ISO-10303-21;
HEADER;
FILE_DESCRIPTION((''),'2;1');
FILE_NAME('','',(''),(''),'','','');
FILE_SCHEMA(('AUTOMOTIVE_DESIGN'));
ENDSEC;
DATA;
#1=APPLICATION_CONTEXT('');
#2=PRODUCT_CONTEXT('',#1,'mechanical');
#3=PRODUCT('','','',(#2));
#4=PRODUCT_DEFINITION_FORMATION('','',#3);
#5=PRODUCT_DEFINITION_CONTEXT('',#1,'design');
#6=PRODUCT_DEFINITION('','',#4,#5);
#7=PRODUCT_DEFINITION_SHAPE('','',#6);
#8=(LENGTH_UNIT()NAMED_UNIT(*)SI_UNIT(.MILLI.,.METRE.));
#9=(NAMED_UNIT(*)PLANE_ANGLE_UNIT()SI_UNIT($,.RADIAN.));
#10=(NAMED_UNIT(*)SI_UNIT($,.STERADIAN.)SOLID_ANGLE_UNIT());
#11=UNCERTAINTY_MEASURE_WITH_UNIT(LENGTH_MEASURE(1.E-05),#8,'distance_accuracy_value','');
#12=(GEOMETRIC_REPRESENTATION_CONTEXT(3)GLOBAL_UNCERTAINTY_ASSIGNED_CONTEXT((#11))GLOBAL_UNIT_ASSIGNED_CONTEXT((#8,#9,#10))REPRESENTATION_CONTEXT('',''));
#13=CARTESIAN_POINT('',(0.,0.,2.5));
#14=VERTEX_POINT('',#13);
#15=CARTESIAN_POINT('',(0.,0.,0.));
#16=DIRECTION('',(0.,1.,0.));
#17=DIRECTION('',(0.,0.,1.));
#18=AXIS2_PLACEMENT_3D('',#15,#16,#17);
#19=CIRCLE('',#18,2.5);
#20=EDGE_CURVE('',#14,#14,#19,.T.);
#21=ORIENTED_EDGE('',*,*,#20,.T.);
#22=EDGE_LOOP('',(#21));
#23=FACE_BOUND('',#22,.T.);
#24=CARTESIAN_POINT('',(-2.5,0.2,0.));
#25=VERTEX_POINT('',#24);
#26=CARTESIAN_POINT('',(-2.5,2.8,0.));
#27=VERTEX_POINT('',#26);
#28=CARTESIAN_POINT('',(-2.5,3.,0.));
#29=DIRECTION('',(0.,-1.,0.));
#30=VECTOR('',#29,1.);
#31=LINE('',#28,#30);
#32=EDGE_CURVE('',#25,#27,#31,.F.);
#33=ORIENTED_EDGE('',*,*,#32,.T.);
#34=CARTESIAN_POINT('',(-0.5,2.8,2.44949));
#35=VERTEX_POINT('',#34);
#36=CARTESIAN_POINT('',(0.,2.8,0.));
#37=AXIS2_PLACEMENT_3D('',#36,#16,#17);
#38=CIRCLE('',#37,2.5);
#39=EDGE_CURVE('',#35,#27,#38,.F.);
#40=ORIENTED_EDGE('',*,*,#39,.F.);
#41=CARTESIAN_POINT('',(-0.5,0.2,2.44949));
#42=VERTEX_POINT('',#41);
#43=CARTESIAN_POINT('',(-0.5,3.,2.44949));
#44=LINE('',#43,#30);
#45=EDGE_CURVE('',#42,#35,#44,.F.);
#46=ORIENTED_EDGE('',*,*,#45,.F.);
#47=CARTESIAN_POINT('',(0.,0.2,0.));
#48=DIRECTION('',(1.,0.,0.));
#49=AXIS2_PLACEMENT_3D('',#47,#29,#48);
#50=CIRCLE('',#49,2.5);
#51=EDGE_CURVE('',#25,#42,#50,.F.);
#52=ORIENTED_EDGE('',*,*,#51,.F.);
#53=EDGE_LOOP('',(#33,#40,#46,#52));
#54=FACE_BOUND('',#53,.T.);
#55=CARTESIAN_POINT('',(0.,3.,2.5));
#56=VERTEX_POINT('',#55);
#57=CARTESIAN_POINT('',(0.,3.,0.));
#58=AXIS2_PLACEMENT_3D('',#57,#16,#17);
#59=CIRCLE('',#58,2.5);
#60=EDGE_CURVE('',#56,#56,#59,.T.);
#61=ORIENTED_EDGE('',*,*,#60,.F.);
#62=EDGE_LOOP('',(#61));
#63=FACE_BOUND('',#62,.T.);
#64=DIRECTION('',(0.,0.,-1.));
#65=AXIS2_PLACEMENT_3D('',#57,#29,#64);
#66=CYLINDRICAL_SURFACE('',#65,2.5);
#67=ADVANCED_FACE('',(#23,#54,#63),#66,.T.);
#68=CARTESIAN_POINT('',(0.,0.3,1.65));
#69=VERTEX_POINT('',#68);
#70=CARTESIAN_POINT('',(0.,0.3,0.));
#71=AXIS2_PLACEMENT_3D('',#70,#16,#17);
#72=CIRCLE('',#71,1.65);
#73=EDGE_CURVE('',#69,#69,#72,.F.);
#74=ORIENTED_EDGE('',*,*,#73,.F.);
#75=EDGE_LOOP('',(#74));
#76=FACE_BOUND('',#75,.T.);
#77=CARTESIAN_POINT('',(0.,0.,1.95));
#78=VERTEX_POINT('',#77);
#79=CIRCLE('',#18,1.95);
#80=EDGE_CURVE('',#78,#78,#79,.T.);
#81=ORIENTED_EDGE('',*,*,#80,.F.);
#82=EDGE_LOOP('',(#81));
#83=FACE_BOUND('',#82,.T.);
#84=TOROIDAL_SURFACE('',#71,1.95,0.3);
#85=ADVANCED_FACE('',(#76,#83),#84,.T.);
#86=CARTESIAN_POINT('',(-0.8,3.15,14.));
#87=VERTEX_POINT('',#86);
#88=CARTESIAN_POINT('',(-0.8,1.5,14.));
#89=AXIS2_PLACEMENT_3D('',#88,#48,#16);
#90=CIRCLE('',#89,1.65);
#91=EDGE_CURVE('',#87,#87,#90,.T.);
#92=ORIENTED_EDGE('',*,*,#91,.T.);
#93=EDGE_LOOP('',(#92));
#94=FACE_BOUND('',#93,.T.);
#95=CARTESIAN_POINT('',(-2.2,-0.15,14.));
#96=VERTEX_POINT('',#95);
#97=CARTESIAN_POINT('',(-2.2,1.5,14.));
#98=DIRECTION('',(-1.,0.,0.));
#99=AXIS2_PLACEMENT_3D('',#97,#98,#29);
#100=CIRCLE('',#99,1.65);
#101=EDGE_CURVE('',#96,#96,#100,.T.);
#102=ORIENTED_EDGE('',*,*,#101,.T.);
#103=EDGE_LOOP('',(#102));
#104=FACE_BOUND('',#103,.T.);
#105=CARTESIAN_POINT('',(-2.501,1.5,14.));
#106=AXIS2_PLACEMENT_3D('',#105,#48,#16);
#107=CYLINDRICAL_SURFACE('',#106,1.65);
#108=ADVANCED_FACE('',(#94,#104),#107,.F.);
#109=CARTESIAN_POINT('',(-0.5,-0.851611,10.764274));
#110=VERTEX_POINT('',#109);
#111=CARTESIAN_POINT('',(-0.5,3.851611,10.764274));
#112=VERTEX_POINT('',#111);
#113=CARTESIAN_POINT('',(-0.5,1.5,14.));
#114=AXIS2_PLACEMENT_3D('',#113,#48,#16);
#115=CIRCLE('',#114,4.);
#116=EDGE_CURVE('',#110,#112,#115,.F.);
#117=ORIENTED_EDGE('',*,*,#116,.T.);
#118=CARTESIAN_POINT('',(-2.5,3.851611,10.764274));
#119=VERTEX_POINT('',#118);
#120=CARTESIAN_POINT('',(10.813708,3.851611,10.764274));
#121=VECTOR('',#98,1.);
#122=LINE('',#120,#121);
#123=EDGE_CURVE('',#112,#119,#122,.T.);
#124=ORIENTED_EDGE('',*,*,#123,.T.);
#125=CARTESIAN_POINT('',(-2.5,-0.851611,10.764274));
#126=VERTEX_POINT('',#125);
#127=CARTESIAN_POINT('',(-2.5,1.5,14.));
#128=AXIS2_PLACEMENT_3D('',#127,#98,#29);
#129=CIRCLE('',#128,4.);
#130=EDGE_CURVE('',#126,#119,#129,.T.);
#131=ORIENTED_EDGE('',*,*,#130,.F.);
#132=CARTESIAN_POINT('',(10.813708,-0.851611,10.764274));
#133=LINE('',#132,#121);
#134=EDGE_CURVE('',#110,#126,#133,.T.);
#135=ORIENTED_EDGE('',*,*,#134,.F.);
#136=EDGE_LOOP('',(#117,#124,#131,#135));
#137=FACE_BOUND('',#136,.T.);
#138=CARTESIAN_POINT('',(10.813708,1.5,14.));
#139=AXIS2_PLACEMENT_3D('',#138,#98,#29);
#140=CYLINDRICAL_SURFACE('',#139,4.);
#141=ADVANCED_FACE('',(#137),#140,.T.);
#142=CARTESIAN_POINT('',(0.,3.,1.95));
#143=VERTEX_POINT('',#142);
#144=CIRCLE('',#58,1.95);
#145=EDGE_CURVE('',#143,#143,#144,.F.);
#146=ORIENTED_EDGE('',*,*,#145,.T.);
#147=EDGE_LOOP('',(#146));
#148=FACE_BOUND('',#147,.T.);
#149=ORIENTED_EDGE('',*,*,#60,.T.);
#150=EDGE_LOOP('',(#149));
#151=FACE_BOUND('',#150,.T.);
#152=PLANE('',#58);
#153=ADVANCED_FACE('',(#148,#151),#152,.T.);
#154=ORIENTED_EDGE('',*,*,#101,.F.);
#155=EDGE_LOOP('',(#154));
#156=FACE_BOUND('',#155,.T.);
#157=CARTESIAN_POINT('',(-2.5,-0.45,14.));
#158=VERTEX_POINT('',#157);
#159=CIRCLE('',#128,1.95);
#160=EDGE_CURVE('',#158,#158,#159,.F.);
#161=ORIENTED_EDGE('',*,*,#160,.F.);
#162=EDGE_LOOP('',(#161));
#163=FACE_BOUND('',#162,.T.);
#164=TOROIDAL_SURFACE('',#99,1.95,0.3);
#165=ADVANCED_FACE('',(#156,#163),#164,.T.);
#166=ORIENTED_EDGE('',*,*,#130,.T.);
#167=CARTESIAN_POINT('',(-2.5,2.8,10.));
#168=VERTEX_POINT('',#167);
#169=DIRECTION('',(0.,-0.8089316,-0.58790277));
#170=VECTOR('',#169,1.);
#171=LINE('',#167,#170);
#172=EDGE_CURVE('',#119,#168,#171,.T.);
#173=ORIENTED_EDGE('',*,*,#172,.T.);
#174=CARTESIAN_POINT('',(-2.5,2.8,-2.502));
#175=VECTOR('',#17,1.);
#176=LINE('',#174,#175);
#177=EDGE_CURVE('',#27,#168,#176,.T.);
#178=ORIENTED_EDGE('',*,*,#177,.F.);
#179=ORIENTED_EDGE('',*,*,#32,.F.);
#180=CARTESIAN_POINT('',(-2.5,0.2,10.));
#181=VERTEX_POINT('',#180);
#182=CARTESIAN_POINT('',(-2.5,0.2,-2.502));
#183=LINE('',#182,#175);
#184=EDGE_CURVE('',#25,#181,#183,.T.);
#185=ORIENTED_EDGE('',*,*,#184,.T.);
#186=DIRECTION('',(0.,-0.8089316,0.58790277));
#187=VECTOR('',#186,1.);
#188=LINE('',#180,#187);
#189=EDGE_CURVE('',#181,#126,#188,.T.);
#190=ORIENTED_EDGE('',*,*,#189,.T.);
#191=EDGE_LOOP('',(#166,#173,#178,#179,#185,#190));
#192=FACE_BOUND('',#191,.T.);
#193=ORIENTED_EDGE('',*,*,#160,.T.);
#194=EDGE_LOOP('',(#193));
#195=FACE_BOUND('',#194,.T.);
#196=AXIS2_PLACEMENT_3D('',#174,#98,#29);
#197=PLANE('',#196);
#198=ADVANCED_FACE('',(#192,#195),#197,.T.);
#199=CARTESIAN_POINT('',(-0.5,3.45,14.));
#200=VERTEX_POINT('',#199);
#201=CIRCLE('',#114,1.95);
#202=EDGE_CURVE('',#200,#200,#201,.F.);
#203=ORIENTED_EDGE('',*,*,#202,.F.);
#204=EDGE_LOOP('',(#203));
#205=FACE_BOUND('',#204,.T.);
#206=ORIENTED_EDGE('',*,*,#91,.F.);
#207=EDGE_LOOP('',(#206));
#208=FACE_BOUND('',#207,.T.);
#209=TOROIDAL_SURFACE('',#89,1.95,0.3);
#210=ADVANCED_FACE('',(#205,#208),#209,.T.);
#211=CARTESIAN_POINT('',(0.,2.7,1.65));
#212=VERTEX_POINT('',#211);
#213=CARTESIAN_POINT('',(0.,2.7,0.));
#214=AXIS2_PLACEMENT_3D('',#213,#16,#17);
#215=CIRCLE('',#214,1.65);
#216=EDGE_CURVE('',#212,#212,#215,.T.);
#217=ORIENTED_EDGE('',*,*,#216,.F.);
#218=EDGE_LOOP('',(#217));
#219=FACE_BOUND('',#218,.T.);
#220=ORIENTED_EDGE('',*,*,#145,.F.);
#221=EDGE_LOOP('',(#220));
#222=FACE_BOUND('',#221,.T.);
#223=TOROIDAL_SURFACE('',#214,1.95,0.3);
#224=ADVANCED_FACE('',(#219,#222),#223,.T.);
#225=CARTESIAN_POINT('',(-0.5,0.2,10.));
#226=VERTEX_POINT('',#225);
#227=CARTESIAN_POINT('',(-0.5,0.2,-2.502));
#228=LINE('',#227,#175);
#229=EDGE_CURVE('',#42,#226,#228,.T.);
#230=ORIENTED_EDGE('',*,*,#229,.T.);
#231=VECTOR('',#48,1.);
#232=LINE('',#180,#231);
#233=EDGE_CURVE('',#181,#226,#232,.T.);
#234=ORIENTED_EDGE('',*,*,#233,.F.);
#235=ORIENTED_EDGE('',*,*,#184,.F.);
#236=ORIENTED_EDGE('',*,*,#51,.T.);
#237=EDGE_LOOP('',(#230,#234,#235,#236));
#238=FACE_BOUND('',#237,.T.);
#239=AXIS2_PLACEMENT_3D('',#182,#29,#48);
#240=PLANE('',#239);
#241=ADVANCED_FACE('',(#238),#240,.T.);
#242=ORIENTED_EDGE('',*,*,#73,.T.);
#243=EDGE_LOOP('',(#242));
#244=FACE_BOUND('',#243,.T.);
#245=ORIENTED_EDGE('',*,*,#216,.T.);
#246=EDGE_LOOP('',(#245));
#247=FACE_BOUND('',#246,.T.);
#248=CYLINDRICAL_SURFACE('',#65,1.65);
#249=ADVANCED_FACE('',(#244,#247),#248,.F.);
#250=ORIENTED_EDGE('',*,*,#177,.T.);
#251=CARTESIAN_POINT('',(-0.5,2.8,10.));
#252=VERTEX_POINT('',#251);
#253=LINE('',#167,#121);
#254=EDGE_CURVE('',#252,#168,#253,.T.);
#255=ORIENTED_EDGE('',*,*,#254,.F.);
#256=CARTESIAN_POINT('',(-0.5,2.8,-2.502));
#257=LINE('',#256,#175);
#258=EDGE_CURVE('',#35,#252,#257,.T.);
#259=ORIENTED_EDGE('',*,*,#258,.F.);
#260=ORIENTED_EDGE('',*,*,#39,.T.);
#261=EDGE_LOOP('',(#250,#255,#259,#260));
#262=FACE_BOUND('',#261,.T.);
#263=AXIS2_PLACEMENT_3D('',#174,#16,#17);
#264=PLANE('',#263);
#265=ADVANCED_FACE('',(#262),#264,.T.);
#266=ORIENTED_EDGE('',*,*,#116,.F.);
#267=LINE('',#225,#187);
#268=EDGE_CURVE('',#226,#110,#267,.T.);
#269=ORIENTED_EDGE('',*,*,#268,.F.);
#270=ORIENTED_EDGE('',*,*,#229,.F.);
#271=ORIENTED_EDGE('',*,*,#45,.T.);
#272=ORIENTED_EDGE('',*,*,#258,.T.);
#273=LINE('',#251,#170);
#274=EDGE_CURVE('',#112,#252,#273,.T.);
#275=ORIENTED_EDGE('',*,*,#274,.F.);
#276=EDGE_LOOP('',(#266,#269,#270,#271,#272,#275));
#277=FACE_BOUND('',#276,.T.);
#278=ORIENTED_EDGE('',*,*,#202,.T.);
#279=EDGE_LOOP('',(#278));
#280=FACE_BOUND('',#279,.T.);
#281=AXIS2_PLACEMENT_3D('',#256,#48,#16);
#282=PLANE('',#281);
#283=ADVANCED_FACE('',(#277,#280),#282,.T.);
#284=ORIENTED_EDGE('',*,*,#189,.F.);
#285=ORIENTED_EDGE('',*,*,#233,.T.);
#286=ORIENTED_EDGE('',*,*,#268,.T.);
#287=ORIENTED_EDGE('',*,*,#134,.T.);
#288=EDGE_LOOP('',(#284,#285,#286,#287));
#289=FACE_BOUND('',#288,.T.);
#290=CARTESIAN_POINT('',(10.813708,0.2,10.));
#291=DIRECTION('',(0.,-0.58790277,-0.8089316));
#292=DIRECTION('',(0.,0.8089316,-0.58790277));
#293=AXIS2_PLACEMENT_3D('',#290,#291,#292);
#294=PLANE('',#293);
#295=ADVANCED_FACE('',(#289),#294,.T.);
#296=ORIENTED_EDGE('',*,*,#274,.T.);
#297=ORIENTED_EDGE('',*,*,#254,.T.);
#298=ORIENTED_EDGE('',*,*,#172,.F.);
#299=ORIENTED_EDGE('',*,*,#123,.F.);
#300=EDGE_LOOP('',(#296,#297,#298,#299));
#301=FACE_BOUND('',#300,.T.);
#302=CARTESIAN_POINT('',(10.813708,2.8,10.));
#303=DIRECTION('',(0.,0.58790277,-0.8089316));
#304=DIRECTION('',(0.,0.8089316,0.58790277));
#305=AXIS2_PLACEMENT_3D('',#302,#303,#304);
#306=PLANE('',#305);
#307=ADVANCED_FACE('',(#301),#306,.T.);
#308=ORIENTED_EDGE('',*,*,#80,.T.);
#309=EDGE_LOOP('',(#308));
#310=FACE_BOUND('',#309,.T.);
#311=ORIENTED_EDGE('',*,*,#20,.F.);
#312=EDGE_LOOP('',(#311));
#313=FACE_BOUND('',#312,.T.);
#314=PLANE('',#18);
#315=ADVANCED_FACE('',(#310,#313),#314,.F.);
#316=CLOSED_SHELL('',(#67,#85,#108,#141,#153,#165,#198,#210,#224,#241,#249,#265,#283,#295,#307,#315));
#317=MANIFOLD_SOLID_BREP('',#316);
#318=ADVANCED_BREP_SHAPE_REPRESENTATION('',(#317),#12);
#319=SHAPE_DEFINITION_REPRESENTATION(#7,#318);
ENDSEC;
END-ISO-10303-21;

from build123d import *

# Parameters (mm, degrees)
SKETCH_1_R          = 2.5
SKETCH_1_R_2        = 1.65
EXTRUDE_1_DEPTH     = 3
EXTRUDE_2_REACH     = 14.5
SKETCH_2_W          = 2
SKETCH_2_H          = 2.6
EXTRUDE_3_DEPTH     = 2
CUT_EXTRUDE_1_REACH = 4
SKETCH_4_R          = 1.65
FILLET_1_R          = 0.3
FILLET_2_R          = 0.3
FILLET_3_R          = 0.3
FILLET_4_R          = 0.3


with BuildPart() as part:
    # 草图1 → 凸台-拉伸1 (new body)
    with BuildSketch(Plane(origin=(0, 0, 0), x_dir=(1, 0, 0), z_dir=(0, 1, 0))):
        Circle(SKETCH_1_R)
        Circle(SKETCH_1_R_2, mode=Mode.SUBTRACT)
    extrude(amount=EXTRUDE_1_DEPTH)

    # 草图2 → 凸台-拉伸2 (add, up to next)
    with BuildSketch(Plane.XY.offset(10), mode=Mode.PRIVATE) as extrude_2_sk1:
        with Locations((-1.5, 1.5)):
            Rectangle(SKETCH_2_W, SKETCH_2_H)
    extrude_2_tool1 = extrude(extrude_2_sk1.sketch, amount=-EXTRUDE_2_REACH, mode=Mode.PRIVATE) - part.part
    add(extrude_2_tool1.solids().sort_by_distance((-1.5, 1.5, 10))[0])

    # 草图3 → 凸台-拉伸3 (add)
    with BuildSketch(Plane.ZY.offset(2.5)):
        with BuildLine():
            Line((10, 2.8), (10, 0.2))
            Line((10, 0.2), (10.764273601, -0.85161108))
            ThreePointArc((10.764273601, -0.85161108), (18, 1.5), (10.764273601, 3.85161108))
            Line((10.764273601, 3.85161108), (10, 2.8))
        make_face()
    extrude(amount=-EXTRUDE_3_DEPTH)

    # 草图4 → 切除-拉伸1 (cut, up to next)
    with BuildSketch(Plane(origin=(-0.5, 0, 0), x_dir=(0, 0, -1), z_dir=(1, 0, 0)), mode=Mode.PRIVATE) as cut_extrude_1_sk1:
        with Locations((-14, 1.5)):
            Circle(SKETCH_4_R)
    cut_extrude_1_tool1 = extrude(cut_extrude_1_sk1.sketch, amount=-CUT_EXTRUDE_1_REACH, mode=Mode.PRIVATE) & part.part
    add(cut_extrude_1_tool1.solids().sort_by_distance((-0.5, 1.5, 14))[0], mode=Mode.SUBTRACT)

    # 圆角1
    fillet_1_edges = [part.edges().sort_by_distance(p)[0] for p in [
        (-0.5, 1.5, 15.65),
    ]]
    fillet(fillet_1_edges, radius=FILLET_1_R)

    # 圆角2
    fillet_2_edges = [part.edges().sort_by_distance(p)[0] for p in [
        (-1.65, 3, 0),
    ]]
    fillet(fillet_2_edges, radius=FILLET_2_R)

    # 圆角3
    fillet_3_edges = [part.edges().sort_by_distance(p)[0] for p in [
        (-1.65, 0, 0),
    ]]
    fillet(fillet_3_edges, radius=FILLET_3_R)

    # 圆角4
    fillet_4_edges = [part.edges().sort_by_distance(p)[0] for p in [
        (-2.5, 1.5, 15.65),
    ]]
    fillet(fillet_4_edges, radius=FILLET_4_R)


solid = part.part
